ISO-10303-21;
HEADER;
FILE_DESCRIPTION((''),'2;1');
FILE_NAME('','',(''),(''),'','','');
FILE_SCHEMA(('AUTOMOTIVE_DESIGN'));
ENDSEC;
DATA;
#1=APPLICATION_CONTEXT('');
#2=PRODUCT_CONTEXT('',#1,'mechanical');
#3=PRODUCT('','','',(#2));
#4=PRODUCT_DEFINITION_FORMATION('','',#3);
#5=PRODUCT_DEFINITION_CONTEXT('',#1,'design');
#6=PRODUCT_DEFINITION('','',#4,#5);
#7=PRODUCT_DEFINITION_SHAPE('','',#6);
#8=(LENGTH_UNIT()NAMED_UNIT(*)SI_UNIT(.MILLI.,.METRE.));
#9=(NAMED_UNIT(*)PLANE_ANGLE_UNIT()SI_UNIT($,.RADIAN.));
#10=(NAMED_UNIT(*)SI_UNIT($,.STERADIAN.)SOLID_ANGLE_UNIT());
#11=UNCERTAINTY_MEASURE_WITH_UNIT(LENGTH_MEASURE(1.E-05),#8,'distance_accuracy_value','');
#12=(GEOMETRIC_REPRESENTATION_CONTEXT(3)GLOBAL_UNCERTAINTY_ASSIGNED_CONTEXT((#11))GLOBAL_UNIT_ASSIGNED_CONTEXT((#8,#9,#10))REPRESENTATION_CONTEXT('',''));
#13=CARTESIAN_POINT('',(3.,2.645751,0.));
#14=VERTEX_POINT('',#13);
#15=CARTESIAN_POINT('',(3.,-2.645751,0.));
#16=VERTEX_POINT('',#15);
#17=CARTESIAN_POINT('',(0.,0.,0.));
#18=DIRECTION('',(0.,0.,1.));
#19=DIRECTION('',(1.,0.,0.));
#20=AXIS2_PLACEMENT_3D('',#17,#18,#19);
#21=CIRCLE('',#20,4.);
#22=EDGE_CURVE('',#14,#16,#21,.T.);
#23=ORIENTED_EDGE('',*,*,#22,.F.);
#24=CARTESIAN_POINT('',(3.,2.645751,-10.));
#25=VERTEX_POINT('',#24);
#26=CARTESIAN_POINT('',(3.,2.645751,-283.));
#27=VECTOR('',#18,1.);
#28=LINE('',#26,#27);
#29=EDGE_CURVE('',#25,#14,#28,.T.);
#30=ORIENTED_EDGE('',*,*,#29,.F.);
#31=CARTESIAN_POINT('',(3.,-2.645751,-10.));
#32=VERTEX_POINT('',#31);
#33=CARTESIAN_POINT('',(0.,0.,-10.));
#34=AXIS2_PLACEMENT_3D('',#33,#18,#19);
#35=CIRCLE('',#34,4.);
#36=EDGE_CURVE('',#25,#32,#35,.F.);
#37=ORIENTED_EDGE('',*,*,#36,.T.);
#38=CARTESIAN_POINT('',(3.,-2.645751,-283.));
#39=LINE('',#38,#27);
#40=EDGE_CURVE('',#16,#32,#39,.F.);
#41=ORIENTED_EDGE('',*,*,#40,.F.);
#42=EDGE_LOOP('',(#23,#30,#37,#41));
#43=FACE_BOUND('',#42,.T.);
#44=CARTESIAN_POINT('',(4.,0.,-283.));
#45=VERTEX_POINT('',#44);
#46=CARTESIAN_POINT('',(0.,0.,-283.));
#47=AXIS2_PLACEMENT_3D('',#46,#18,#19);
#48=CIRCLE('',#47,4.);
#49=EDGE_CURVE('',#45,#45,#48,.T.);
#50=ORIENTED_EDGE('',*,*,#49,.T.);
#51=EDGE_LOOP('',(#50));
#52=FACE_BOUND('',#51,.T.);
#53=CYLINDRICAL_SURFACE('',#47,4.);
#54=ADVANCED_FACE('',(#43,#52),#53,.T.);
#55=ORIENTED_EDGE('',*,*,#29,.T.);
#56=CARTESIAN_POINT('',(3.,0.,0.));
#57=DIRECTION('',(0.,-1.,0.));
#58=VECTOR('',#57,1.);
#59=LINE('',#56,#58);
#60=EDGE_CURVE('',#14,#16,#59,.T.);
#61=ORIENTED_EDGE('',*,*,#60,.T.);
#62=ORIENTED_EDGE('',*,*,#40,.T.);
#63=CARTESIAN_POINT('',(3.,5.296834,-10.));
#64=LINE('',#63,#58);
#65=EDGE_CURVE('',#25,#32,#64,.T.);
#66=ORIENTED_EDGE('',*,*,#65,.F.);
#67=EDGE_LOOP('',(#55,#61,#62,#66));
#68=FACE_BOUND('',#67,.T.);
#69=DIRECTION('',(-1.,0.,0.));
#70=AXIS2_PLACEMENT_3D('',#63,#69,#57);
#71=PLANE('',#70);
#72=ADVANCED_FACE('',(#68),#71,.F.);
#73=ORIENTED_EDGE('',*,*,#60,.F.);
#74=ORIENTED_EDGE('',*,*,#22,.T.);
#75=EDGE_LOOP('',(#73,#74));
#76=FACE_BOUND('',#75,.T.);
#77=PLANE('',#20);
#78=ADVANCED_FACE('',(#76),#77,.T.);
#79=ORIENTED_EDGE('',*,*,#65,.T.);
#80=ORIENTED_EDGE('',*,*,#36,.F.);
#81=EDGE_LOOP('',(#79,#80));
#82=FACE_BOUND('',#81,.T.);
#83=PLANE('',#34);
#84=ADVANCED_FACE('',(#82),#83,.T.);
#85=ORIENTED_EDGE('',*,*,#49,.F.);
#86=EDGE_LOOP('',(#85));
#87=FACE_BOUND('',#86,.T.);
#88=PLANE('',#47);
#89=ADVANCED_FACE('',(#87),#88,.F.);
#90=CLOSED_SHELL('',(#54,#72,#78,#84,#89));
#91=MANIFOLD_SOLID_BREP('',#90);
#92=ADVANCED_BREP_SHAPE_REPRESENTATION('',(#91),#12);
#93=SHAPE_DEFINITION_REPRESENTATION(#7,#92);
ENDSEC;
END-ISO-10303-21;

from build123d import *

# Parameters (mm, degrees)
SKETCH1_R             = 4
BOSS_EXTRUDE1_DEPTH   = 283
CROQUIS1_W            = 11.473302211
CROQUIS1_H            = 12.124489633
CORTAR_EXTRUIR1_DEPTH = 10


with BuildPart() as part:
    # Sketch1 → Boss-Extrude1 (new body)
    with BuildSketch(Plane.XY):
        Circle(SKETCH1_R)
    extrude(amount=-BOSS_EXTRUDE1_DEPTH)

    # Croquis1 → Cortar-Extruir1 (cut)
    with BuildSketch(Plane.XY):
        with Locations((8.736651106, -0.765411019)):
            Rectangle(CROQUIS1_W, CROQUIS1_H)
    extrude(amount=-CORTAR_EXTRUIR1_DEPTH, mode=Mode.SUBTRACT)


solid = part.part
